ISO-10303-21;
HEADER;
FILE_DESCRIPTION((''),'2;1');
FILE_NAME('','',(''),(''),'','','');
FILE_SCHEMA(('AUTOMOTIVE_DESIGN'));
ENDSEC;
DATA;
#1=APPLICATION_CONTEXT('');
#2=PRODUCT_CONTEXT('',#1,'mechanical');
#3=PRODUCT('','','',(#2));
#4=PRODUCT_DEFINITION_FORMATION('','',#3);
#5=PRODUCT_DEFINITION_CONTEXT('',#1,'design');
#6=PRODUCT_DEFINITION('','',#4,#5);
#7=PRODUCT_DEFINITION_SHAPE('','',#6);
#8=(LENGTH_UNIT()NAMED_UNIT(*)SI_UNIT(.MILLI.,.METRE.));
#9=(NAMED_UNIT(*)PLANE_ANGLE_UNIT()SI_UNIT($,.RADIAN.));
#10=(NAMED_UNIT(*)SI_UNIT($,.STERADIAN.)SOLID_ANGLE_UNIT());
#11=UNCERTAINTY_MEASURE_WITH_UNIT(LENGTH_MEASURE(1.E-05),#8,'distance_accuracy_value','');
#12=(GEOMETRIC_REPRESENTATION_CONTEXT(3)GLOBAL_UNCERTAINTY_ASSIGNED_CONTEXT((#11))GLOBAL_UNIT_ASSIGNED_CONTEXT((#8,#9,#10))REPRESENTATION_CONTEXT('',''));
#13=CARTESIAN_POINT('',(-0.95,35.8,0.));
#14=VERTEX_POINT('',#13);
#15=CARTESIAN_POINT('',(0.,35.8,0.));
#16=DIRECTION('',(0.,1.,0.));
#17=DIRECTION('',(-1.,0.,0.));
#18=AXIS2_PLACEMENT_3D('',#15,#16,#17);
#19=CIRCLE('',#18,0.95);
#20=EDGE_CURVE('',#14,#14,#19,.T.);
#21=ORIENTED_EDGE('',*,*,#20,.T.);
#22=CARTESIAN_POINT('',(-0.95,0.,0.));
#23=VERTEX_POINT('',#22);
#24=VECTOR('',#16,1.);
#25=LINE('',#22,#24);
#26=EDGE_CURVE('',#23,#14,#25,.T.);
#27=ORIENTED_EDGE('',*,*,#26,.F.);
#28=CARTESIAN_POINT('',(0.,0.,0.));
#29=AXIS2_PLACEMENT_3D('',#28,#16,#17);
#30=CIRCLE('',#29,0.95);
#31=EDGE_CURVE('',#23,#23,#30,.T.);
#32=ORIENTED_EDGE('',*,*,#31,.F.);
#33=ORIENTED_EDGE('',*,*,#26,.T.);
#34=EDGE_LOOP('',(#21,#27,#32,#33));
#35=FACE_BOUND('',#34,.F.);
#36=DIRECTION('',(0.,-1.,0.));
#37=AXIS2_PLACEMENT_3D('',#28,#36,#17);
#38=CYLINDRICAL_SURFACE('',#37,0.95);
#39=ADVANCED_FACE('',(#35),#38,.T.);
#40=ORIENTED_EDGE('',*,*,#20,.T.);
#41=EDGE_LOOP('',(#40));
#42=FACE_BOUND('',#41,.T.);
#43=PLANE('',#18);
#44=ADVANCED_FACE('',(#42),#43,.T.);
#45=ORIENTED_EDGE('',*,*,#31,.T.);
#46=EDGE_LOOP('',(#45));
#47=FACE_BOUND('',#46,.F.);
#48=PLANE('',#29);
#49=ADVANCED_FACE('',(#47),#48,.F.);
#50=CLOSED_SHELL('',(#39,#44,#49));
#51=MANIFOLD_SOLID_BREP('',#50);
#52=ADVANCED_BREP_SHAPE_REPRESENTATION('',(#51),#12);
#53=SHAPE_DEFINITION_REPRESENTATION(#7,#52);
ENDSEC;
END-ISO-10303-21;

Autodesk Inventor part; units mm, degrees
ref_plane "YZ Plane" through (0, 0, 0) normal (1, 0, 0) x (0, 1, 0)
ref_plane "XZ Plane" through (0, 0, 0) normal (0, 1, 0) x (-1, 0, 0)
ref_plane "XY Plane" through (0, 0, 0) normal (0, 0, 1) x (1, 0, 0)
sketch "Sketch2" plane through (0, 0, 0) normal (0, 1, 0) x (-1, 0, 0)
  circle A0 centre (0, 0) radius 0.95
  dimension "d3" = 1.9
extrude "Extrusion2" add sketch "Sketch2" along normal blind 35.8
properties part number "HAND_double_finger_dowel_pin"
